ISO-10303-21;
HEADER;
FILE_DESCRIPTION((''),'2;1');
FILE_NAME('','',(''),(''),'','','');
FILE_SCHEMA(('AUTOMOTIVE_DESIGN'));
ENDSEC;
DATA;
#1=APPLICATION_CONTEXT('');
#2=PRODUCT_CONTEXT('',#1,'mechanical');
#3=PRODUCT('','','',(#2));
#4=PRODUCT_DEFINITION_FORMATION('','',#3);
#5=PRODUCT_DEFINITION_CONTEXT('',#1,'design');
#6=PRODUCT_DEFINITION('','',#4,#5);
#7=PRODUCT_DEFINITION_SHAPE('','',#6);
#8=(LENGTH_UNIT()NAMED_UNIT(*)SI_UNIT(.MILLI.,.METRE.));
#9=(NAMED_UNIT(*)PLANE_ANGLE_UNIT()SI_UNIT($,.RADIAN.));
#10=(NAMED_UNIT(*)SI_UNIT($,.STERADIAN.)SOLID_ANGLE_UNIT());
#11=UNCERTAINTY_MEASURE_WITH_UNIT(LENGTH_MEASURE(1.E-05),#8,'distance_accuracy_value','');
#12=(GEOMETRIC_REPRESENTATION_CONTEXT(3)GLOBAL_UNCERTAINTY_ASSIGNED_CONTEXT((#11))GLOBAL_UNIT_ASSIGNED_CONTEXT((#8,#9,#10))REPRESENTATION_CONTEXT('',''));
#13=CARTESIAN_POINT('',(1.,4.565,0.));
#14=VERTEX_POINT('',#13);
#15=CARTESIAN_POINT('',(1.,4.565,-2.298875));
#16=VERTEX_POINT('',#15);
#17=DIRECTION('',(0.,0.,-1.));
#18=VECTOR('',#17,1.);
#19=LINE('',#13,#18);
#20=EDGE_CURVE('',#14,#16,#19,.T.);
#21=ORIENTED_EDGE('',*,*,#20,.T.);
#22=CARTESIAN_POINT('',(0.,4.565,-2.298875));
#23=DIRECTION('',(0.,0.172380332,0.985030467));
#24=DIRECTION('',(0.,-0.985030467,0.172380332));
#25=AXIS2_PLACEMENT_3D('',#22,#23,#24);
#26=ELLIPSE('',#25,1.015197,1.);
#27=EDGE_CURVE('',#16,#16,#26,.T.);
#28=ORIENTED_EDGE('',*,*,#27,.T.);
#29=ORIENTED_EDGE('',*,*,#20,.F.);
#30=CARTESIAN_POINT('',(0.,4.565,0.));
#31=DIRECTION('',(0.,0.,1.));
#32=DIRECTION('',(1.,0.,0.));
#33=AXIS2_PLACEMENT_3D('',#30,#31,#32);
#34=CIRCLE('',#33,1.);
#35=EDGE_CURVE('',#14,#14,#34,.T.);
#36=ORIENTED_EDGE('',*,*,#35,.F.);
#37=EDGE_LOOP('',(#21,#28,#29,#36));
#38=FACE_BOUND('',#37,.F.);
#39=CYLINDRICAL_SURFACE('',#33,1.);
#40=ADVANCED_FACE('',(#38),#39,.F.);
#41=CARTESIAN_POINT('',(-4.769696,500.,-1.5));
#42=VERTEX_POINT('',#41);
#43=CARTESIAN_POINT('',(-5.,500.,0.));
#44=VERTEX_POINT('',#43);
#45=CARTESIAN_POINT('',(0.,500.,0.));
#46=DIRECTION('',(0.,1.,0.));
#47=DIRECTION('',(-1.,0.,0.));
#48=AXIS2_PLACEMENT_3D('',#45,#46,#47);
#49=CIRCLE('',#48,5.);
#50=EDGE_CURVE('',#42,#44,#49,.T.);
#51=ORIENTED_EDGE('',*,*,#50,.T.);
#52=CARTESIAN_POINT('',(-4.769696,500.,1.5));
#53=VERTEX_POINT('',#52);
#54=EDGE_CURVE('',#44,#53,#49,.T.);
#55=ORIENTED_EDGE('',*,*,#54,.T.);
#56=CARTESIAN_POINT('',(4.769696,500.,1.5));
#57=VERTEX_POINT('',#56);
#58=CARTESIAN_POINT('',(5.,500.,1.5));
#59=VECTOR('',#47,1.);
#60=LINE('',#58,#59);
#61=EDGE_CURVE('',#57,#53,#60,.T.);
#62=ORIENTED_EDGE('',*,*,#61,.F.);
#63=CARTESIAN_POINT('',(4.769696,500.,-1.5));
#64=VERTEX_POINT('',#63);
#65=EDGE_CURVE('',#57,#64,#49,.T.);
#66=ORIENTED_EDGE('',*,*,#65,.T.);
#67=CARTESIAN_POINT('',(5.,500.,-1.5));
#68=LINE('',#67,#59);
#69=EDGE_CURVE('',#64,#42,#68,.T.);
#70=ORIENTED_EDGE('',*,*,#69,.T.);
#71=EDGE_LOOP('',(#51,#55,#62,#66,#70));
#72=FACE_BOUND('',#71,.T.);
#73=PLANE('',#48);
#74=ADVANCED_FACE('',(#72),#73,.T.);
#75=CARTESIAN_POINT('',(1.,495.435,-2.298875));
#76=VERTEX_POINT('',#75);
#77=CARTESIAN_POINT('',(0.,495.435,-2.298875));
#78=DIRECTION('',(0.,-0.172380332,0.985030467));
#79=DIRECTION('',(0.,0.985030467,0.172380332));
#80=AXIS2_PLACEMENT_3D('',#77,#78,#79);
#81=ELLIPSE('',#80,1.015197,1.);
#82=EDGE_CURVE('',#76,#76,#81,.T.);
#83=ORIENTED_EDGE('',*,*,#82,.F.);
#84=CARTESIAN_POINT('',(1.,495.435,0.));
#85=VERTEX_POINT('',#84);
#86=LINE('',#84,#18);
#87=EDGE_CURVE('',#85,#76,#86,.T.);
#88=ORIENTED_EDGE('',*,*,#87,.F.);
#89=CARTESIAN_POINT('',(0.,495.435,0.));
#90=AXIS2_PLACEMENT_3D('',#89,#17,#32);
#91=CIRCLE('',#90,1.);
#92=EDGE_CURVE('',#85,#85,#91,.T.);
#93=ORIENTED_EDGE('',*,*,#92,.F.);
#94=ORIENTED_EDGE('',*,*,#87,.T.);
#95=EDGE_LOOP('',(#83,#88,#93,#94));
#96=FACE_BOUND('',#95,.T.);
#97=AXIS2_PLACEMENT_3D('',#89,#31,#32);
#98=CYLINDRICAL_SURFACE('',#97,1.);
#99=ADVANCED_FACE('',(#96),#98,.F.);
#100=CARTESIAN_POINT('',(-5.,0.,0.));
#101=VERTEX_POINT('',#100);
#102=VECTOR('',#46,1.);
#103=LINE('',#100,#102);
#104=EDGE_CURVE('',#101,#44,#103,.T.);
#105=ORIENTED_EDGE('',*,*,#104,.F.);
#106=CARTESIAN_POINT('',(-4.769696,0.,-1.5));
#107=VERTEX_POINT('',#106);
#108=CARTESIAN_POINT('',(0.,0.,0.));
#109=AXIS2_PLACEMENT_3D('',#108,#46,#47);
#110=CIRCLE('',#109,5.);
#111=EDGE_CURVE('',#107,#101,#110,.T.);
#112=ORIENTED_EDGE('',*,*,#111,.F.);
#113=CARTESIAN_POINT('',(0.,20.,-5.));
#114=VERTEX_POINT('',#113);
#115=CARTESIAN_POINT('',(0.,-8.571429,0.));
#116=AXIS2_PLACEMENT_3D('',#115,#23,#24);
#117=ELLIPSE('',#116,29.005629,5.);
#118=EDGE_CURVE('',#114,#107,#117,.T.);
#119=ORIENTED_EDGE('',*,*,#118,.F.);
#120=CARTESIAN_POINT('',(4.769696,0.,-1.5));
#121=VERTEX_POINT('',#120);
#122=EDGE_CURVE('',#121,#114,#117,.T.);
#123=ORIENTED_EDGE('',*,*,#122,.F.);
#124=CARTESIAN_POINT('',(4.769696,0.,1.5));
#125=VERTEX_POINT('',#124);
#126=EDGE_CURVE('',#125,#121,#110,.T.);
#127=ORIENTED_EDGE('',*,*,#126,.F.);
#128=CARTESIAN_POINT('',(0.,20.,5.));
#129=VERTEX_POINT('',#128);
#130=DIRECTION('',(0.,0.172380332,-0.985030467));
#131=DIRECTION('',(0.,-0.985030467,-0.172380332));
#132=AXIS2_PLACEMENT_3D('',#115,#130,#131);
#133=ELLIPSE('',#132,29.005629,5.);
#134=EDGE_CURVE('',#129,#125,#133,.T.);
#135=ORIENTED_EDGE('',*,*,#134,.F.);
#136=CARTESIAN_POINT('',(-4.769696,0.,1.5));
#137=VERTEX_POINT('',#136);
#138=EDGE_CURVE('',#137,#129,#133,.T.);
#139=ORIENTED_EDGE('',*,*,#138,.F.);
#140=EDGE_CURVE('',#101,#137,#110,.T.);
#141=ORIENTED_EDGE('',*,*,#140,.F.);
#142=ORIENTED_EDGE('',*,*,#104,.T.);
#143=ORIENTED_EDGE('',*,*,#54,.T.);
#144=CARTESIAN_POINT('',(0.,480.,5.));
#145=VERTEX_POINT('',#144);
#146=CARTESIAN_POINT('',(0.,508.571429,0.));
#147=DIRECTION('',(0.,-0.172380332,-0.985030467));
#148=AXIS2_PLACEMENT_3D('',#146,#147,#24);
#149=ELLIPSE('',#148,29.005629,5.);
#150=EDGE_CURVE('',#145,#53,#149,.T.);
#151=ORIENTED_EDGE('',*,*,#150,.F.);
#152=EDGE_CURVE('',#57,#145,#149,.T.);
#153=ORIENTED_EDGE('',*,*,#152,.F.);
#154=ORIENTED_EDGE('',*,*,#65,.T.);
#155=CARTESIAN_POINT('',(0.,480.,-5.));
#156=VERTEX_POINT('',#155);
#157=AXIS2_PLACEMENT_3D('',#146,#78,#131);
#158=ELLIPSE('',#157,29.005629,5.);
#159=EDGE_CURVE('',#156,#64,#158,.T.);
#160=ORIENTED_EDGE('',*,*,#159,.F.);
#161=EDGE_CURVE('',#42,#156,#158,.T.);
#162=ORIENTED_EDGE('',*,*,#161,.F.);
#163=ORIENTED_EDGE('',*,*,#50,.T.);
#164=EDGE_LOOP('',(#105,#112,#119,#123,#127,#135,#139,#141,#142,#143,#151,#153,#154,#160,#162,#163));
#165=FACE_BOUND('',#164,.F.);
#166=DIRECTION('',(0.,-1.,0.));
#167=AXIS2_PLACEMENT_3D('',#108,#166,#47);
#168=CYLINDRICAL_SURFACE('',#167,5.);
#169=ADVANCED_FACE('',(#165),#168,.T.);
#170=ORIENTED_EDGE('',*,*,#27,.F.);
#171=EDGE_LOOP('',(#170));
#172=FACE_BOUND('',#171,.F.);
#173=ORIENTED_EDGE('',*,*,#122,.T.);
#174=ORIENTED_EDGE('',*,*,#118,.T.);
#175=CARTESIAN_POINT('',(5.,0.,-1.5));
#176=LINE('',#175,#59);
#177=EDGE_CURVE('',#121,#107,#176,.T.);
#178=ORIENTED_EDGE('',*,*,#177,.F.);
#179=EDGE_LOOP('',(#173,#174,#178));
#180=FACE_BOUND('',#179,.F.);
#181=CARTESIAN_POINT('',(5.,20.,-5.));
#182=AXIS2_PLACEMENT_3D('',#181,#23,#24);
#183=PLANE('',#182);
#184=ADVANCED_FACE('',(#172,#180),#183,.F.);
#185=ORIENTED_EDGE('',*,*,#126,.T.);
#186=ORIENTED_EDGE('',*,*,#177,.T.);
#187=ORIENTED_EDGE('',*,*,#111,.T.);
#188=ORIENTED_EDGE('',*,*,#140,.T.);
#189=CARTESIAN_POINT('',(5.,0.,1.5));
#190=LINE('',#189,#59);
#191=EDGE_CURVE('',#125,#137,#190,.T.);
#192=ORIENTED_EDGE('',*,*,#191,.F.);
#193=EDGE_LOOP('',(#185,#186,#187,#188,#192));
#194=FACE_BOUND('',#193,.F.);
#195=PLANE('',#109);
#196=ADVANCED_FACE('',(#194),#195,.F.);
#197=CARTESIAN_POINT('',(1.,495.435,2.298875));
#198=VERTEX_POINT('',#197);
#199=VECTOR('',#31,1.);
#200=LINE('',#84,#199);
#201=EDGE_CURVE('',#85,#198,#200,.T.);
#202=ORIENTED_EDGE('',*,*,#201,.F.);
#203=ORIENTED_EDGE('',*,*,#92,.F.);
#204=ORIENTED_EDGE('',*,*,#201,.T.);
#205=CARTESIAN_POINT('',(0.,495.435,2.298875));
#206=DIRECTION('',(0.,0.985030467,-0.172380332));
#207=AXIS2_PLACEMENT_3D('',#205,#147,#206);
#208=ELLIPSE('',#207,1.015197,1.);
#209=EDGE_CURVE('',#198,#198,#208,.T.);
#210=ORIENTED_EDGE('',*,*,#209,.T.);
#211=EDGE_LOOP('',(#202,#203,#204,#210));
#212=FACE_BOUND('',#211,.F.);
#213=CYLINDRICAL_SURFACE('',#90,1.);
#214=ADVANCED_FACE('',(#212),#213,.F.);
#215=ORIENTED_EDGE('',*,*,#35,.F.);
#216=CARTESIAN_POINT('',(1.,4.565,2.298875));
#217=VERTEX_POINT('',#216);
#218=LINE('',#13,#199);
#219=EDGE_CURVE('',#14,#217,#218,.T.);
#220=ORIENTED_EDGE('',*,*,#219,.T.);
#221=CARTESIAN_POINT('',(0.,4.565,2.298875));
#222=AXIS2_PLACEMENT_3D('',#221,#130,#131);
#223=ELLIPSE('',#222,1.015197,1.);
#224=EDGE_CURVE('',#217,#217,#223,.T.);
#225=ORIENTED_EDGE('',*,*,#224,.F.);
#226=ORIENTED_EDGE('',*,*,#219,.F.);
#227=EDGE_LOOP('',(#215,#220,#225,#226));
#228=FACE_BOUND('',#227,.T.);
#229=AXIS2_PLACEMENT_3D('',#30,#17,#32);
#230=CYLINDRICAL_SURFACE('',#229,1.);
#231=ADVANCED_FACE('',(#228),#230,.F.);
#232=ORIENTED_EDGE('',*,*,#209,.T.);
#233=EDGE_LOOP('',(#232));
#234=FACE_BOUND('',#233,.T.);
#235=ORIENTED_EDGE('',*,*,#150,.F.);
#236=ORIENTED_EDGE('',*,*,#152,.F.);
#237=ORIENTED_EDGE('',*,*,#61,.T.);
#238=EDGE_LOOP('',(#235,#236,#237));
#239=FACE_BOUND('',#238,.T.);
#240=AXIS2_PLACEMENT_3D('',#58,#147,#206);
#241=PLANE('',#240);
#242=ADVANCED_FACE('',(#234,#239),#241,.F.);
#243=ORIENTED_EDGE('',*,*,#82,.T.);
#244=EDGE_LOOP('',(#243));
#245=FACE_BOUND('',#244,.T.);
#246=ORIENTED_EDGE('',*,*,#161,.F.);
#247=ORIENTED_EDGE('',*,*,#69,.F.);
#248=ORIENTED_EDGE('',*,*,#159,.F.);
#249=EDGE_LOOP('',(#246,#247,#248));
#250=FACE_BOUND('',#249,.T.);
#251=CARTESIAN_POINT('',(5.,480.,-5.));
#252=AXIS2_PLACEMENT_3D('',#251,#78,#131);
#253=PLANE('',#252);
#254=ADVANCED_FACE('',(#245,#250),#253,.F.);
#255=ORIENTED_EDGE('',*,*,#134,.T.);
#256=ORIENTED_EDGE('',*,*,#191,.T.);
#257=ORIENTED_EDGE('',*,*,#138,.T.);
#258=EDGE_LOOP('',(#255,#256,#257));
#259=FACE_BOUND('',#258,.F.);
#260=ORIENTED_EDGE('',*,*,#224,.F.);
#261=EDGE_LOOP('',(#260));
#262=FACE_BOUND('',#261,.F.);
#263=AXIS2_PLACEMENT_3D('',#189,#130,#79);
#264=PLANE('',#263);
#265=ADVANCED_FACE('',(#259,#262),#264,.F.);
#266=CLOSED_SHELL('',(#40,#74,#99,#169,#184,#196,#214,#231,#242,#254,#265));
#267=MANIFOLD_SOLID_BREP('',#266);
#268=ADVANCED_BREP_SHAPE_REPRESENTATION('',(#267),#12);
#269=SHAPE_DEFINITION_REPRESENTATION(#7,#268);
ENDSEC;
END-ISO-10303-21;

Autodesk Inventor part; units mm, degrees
ref_plane "XZ Plane" through (0, 0, 0) normal (0, 1, 0) x (-1, 0, 0)
sketch "Sketch1" plane through (0, 0, 0) normal (0, 1, 0) x (-1, 0, 0)
  circle A0 centre (0, 0) radius 5
  dimension "d0" = 10
extrude "Extrusion1" add sketch "Sketch1" along normal blind 500
ref_plane "Work Plane1" through (5, 0, 0) normal (1, 0, 0) x (0, 1, 0)
sketch "Sketch2" plane through (5, 0, 0) normal (1, 0, 0) x (0, 1, 0)
  line L0 (500, -5) -> (500, 5) projected
  line L1 (0, 5) -> (0, -5) projected
  line L2 (0, 5) -> (500, 5) projected
  line L3 (0, -5) -> (500, -5) projected
  line L4 (0, 0) -> (0, 1.5)
  line L5 (0, 5) -> (0, -5) projected
  line L6 (0, 0) -> (0, -1.5)
  line L7 (-100, 0) -> (600, 0) projected
  line L8 (0, 1.5) -> (20, 5)
  line L9 (20, 5) -> (20, -5)
  line L10 (20, -5) -> (0, -1.5)
  dimension "d4" = 1.5
  dimension "d5" = 1.5
  dimension "d6" = 20
extrude "Extrusion2" cut sketch "Sketch2" against normal blind 500 contours L3 L1 L10 | L8 L1 L2
sketch "Sketch3" plane through (0, 0, 0) normal (0, 0, 1) x (1, 0, 0)
  point P0 (0, 0)
sketch "Sketch4" plane through (0, 0, 0) normal (0, 0, 1) x (1, 0, 0)
  circle A0 centre (0, 4.565) radius 1
  point P0 (0, 0)
  dimension "d9" = 2
extrude "Extrusion3" cut sketch "Sketch4" along normal mid plane 500
ref_plane "Work Plane2" through (0, 250, 0) normal (0, -1, 0) x (1, 0, 0)
mirror "Mirror1" about plane through (0, 250, 0) normal (0, -1, 0) of "Extrusion2", "Extrusion3"
properties part number "Straight connector"
